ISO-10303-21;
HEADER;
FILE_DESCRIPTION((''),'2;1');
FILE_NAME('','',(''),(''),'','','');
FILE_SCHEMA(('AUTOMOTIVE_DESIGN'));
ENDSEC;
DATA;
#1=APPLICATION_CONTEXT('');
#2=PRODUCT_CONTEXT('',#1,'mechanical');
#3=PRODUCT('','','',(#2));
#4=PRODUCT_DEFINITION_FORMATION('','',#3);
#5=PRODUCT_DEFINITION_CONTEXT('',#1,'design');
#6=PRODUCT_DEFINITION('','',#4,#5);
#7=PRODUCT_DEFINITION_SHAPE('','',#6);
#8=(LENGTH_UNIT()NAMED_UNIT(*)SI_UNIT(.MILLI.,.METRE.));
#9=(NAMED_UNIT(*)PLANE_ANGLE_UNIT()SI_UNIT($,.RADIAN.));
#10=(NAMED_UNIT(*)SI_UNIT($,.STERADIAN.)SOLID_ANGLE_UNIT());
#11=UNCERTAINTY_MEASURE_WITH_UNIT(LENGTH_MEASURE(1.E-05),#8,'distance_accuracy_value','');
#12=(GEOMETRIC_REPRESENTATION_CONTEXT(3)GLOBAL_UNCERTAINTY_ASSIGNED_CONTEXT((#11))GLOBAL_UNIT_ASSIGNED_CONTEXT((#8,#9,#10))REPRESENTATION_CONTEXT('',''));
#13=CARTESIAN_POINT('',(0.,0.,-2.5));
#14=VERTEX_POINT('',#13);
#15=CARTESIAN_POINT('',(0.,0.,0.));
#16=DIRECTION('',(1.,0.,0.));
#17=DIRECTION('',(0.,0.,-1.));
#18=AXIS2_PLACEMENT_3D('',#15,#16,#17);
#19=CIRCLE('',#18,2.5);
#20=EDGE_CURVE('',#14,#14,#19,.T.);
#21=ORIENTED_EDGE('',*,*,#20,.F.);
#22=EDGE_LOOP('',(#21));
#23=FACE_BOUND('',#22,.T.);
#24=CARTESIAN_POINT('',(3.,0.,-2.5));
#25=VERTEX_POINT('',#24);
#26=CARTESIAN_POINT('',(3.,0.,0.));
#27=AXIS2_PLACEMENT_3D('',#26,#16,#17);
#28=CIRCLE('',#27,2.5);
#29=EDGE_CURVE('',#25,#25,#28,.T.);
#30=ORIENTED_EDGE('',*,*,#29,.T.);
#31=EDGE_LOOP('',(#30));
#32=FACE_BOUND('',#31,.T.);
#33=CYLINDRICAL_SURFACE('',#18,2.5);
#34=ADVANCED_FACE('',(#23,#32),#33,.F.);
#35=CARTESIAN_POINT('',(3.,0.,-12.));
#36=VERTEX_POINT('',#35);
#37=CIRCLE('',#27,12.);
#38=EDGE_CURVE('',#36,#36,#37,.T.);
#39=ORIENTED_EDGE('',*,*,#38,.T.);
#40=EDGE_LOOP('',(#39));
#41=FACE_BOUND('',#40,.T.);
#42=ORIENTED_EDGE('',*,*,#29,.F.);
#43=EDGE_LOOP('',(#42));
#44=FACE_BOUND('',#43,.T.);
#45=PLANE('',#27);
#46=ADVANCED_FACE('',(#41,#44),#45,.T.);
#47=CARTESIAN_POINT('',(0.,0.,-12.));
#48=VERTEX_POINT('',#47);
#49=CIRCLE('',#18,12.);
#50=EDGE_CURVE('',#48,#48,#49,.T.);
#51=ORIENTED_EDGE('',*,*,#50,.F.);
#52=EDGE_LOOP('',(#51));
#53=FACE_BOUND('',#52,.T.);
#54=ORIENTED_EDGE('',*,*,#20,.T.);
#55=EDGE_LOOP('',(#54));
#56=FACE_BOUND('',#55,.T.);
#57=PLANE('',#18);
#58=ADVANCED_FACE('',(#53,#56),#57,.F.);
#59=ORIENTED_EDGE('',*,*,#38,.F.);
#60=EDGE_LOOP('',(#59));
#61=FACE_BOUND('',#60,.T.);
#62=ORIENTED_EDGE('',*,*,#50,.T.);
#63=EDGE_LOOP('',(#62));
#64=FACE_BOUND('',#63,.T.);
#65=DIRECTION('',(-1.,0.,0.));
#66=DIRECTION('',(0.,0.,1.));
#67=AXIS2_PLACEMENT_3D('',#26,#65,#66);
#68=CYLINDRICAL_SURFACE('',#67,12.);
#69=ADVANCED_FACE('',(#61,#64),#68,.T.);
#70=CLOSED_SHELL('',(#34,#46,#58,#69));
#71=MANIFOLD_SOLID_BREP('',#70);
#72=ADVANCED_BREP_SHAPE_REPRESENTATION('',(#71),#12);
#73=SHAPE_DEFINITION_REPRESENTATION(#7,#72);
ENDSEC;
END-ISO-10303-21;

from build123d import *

# Parameters (mm, degrees)
SKETCH1_R               = 12
GEAR_BODY_EXTRUDE_DEPTH = 3
SKETCH2_R               = 2.5
AXLE_HOLE_DEPTH         = 3


with BuildPart() as part:
    # Sketch1 → gear_body_extrude (new body)
    with BuildSketch(Plane(origin=(0, 0, 0), x_dir=(0, 0, -1), z_dir=(1, 0, 0))):
        Circle(SKETCH1_R)
    extrude(amount=GEAR_BODY_EXTRUDE_DEPTH)

    # Sketch2 → axle_hole (cut)
    with BuildSketch(Plane(origin=(3, 0, 0), x_dir=(0, 0, -1), z_dir=(1, 0, 0))):
        Circle(SKETCH2_R)
    extrude(amount=-AXLE_HOLE_DEPTH, mode=Mode.SUBTRACT)


solid = part.part
